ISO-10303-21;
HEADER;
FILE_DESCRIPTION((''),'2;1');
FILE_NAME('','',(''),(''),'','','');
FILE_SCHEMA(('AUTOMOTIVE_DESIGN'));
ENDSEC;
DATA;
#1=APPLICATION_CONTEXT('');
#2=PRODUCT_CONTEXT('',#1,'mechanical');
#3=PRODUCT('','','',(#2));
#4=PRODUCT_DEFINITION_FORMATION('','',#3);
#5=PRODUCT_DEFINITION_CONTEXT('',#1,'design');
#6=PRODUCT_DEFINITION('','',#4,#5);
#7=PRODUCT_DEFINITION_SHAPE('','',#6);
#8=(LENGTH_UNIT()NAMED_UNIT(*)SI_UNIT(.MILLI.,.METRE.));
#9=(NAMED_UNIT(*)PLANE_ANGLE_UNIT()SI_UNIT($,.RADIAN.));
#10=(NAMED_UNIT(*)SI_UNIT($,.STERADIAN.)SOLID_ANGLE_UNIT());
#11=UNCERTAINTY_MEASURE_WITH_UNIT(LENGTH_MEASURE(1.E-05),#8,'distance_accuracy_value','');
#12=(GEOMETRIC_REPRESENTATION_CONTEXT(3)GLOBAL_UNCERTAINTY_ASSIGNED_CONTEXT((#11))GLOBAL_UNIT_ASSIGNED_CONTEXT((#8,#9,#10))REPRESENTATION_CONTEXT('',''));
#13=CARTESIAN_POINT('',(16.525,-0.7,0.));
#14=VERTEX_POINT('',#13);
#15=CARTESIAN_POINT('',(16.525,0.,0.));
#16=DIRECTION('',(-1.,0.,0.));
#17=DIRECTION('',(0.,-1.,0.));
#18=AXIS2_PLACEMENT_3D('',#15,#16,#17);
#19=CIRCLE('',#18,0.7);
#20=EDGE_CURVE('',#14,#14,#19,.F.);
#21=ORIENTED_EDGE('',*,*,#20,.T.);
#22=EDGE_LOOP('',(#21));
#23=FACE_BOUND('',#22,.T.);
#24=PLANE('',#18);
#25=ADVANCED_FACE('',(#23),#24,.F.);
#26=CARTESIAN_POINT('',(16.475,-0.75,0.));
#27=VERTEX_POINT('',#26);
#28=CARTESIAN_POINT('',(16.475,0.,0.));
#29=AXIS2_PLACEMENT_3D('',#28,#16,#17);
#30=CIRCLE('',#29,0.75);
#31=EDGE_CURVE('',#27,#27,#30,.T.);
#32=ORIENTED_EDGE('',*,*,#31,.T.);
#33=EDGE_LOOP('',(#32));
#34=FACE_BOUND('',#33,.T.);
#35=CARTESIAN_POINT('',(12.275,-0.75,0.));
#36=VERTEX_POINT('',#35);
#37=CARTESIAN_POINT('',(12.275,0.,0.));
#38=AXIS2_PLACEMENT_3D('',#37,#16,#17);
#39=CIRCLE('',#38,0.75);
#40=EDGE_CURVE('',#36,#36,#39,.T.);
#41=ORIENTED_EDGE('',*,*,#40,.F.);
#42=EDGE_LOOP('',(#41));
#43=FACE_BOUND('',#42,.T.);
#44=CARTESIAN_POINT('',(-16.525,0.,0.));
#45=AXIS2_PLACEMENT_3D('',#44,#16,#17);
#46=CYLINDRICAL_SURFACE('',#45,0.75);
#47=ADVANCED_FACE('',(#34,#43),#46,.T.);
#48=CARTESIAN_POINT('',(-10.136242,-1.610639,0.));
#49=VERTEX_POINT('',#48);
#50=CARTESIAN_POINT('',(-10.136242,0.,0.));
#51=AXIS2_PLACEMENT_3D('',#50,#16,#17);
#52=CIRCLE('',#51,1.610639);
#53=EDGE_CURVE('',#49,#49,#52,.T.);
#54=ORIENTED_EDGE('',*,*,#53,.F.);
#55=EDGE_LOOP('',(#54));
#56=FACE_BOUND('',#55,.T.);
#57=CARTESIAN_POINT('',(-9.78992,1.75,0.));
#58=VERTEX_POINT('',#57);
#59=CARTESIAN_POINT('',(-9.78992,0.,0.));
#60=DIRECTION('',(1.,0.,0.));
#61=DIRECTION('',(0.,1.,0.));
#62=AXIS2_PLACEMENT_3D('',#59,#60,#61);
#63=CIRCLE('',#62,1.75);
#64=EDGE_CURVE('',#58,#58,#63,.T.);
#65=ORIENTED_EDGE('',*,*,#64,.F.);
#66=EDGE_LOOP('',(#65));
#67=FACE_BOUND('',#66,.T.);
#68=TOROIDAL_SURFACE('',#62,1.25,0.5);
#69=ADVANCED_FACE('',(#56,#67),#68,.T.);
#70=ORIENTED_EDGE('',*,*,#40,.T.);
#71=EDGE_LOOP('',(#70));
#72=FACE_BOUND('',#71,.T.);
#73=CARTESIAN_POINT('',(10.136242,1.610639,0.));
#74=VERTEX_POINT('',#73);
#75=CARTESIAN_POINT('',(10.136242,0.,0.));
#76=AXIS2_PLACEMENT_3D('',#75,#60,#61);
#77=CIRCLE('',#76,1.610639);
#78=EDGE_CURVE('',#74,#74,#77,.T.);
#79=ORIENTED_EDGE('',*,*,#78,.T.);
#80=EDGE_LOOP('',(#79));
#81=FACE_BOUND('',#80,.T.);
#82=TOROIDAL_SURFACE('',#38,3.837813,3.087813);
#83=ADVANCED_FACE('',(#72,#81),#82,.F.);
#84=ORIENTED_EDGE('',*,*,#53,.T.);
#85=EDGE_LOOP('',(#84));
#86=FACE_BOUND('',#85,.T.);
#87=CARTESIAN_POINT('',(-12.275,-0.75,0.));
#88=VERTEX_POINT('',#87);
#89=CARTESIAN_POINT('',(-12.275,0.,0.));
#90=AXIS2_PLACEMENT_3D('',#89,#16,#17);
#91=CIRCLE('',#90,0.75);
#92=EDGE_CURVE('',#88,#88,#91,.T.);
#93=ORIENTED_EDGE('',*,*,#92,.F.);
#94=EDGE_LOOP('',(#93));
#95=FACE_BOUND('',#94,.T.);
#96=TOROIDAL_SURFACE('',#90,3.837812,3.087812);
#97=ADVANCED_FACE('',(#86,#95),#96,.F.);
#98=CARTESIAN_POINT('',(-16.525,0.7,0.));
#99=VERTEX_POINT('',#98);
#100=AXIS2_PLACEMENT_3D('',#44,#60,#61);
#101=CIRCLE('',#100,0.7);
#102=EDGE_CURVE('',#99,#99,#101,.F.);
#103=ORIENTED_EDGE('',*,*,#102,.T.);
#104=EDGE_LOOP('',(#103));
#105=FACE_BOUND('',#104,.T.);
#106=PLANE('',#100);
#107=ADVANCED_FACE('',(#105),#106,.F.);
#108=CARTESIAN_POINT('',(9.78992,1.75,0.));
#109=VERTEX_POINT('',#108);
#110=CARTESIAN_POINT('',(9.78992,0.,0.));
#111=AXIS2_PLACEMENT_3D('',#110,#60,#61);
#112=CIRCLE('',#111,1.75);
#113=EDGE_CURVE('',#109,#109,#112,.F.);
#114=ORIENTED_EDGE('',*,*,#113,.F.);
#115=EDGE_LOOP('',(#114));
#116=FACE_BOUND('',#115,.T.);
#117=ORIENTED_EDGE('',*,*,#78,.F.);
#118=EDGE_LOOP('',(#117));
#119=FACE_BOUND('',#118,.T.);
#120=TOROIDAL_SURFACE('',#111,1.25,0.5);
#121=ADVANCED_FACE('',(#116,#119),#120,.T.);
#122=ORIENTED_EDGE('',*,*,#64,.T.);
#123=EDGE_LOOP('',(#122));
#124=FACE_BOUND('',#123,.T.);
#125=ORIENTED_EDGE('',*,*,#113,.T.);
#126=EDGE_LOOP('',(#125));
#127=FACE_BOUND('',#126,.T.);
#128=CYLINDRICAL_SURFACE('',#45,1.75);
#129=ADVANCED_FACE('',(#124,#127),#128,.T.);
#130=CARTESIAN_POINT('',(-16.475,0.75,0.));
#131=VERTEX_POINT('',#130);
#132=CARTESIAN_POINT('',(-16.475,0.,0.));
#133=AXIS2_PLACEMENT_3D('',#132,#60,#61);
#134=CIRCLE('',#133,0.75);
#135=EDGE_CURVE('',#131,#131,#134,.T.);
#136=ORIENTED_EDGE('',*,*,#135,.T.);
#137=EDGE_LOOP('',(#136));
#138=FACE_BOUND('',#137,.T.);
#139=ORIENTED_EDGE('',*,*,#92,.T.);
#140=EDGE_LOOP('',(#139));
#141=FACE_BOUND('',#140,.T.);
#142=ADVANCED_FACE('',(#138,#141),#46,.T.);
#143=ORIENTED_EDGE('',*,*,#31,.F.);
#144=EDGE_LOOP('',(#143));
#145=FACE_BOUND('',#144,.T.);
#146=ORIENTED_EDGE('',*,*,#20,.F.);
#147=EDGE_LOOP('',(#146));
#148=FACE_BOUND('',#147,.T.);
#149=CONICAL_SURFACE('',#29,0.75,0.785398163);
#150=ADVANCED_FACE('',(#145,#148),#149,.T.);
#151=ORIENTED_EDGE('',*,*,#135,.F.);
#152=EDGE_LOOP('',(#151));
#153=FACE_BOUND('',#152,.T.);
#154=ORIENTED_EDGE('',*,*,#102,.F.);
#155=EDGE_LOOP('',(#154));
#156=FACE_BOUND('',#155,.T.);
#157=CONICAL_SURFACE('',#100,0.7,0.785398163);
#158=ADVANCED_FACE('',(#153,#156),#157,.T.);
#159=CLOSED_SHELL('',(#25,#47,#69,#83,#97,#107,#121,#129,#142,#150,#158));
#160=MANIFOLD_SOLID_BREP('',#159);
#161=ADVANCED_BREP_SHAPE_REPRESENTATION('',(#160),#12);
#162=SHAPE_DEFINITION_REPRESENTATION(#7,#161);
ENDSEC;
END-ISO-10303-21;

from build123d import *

# Parameters (mm, degrees)
FILLET1_R     = 0.5
CHAMFER1_SIZE = 0.05


with BuildPart() as part:
    # Sketch1 → Revolve1 (revolve)
    with BuildSketch(Plane.XY, mode=Mode.PRIVATE) as revolve1_sk:
        with BuildLine():
            Line((-16.525, 0), (16.525, 0))
            Line((16.525, 0), (16.525, 0.75))
            Line((16.525, 0.75), (12.275, 0.75))
            ThreePointArc((12.275, 0.75), (11.032459759, 1.011033452), (10, 1.75))
            Line((10, 1.75), (-10, 1.75))
            ThreePointArc((-10, 1.75), (-11.032459759, 1.011033452), (-12.275, 0.75))
            Line((-12.275, 0.75), (-16.525, 0.75))
            Line((-16.525, 0.75), (-16.525, 0))
        make_face()
    revolve(revolve1_sk.sketch.rotate(Axis((-16.525, 0, 0), (1, 0, 0)), 180), axis=Axis((-16.525, 0, 0), (1, 0, 0)))

    # Fillet1
    fillet1_edges = [part.edges().sort_by_distance(p)[0] for p in [
        (-10, 1.75, 0),
        (10, 1.75, 0),
    ]]
    fillet(fillet1_edges, radius=FILLET1_R)

    # Chamfer1
    chamfer1_edges = [part.edges().sort_by_distance(p)[0] for p in [
        (-16.525, 0.75, 0),
        (16.525, 0.75, 0),
    ]]
    chamfer(chamfer1_edges, length=CHAMFER1_SIZE)


solid = part.part
